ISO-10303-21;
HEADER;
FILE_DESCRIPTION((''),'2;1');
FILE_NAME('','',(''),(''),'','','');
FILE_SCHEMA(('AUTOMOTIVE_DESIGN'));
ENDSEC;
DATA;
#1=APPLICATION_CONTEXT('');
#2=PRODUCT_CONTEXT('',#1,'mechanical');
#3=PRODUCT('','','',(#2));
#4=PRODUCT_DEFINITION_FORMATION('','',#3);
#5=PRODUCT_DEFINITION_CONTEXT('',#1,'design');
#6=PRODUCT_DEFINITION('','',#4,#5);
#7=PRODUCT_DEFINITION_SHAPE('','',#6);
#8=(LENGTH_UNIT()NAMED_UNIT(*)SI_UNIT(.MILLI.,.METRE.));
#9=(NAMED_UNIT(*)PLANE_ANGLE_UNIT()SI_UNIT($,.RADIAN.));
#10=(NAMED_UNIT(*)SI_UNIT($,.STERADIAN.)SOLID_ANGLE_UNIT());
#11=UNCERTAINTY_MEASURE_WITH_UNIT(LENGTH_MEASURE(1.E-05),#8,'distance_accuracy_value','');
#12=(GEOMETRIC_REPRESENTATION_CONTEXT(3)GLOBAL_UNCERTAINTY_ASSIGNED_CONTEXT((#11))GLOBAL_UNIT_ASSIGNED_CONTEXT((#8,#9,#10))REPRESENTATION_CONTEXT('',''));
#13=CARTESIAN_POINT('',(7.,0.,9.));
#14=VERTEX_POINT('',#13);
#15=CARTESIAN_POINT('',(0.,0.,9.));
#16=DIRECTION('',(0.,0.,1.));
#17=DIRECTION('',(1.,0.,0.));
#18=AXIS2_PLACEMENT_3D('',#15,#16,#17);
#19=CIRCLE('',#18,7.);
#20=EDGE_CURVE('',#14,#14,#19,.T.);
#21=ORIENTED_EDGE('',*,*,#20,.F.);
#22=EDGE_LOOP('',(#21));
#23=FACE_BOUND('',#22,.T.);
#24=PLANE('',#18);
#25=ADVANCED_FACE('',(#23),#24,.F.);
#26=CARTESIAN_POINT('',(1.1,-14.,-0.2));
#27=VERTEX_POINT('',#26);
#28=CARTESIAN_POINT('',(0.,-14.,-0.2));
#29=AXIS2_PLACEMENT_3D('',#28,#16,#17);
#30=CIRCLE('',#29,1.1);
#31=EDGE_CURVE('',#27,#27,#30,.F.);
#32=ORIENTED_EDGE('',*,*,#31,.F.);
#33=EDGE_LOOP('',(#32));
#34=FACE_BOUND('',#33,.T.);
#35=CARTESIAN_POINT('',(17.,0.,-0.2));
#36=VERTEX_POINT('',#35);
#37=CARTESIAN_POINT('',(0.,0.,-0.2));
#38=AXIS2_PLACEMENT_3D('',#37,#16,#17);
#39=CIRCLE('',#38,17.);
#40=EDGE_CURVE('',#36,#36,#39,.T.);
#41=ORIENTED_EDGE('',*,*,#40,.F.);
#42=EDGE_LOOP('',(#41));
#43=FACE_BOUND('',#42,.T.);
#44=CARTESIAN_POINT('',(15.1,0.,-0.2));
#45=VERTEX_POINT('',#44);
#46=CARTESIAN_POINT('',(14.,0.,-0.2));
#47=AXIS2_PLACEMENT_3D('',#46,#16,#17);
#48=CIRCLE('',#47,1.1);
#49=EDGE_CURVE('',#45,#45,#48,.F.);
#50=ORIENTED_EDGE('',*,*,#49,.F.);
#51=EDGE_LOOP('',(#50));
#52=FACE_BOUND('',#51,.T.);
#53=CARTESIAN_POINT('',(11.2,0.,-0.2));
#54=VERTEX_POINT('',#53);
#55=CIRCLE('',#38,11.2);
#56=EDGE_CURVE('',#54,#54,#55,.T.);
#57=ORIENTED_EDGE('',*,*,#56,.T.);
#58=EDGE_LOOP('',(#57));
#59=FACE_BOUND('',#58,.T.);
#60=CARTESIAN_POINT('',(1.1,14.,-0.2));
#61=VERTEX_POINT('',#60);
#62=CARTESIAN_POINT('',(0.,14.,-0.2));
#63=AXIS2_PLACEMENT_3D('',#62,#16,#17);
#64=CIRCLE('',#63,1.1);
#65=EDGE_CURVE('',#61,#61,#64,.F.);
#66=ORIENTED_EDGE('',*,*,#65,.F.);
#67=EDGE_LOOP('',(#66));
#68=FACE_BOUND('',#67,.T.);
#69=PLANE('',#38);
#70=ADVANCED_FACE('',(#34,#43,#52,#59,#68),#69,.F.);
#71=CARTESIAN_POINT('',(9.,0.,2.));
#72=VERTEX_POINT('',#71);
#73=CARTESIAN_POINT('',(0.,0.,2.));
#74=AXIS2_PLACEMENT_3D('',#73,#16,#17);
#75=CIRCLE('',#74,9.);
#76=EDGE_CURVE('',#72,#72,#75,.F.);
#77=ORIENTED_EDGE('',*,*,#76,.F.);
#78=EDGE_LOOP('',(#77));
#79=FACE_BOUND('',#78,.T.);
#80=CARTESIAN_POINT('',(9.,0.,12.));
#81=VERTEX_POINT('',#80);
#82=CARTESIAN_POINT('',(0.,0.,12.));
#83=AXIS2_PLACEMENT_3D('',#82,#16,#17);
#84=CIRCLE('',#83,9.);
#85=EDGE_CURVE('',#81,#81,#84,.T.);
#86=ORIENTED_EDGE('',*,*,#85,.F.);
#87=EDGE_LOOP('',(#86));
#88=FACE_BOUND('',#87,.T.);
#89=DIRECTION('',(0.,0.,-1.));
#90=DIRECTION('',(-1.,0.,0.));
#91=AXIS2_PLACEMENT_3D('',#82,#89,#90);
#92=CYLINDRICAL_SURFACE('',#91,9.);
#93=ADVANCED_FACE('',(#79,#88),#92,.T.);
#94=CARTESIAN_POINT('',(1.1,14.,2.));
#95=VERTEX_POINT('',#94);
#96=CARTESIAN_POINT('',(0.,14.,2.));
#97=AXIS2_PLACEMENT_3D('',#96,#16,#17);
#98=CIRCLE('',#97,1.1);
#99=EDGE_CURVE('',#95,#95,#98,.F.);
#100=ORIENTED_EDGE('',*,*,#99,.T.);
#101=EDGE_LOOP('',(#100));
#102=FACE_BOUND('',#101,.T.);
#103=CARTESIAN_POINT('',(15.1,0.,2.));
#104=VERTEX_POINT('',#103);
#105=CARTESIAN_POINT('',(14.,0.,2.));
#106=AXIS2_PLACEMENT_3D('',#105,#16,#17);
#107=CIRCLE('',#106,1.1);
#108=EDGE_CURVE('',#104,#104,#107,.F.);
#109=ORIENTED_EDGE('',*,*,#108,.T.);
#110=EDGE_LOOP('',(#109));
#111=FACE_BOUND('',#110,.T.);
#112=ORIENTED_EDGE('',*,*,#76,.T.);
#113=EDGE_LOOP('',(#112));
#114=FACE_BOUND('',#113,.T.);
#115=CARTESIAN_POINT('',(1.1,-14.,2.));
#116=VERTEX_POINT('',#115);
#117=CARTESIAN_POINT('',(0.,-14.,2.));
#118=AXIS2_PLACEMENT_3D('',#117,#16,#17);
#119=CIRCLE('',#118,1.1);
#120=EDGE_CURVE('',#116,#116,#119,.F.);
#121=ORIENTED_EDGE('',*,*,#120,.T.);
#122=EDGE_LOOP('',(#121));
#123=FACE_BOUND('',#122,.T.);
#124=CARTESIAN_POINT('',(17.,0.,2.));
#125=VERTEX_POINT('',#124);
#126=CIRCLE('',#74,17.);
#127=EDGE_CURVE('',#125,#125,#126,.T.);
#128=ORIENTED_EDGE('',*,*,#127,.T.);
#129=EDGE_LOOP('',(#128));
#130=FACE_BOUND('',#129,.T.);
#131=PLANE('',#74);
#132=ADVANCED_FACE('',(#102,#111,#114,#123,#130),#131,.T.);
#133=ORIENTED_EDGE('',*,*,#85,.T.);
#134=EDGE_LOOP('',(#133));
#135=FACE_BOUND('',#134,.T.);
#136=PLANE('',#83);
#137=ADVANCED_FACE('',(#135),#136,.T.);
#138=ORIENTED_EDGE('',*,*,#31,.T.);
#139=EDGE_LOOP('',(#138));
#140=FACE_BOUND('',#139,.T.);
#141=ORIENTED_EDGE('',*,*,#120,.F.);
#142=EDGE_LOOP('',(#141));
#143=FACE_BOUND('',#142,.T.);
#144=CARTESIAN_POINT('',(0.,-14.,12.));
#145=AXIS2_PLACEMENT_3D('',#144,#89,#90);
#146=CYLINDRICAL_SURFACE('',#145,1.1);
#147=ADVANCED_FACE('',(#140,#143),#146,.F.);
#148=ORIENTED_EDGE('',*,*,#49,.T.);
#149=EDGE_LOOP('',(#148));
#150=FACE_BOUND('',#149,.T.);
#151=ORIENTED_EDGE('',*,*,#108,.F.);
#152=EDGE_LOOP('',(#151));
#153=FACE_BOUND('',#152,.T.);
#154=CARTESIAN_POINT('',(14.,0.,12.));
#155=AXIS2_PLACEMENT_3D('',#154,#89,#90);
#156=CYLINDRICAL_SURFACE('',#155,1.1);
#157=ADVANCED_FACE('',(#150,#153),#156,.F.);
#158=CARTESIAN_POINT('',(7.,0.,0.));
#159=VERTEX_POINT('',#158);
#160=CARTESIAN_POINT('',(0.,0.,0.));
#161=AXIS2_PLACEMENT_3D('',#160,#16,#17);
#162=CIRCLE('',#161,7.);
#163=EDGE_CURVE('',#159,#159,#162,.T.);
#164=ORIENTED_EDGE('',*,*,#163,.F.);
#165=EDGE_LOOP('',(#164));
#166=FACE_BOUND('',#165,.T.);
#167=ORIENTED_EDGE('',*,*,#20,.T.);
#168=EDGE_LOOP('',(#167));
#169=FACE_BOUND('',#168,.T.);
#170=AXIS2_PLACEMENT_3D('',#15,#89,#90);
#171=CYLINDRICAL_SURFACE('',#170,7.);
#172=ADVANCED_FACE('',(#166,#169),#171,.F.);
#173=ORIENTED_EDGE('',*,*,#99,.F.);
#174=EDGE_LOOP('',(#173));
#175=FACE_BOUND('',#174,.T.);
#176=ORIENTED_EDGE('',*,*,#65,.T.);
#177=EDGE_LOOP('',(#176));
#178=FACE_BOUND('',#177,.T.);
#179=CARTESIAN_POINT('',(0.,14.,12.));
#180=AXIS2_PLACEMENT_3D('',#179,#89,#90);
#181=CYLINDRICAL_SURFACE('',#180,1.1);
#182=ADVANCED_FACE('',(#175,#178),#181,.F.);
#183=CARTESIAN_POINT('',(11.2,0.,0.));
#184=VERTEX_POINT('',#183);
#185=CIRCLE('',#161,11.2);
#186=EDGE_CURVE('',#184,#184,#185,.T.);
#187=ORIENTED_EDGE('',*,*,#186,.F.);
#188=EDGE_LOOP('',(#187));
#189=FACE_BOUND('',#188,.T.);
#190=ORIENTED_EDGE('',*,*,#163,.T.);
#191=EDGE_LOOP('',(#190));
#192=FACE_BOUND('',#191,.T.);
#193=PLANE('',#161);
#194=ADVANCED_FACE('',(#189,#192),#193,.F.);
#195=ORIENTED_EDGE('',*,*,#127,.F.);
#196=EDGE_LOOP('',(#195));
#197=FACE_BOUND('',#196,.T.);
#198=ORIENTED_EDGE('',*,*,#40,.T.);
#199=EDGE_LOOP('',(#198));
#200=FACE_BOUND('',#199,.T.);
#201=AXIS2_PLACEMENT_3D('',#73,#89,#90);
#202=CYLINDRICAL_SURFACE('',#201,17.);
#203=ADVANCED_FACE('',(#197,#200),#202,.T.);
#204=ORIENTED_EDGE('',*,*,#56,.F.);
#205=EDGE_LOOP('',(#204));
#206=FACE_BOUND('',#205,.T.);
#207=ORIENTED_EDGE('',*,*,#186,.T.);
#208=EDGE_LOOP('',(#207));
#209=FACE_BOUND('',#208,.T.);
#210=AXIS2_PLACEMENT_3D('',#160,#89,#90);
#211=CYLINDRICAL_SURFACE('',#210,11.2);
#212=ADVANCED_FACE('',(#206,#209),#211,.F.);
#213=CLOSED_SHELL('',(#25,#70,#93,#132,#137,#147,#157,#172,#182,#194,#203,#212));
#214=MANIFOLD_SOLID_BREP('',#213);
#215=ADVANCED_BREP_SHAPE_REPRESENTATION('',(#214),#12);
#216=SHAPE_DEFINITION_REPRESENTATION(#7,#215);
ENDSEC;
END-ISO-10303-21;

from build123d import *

# Parameters (mm, degrees)
OUTER_RACE_KEEPER_FLANGE_PROFILE_R             = 17
OUTER_RACE_KEEPER_FLANGE_DEPTH                 = 2
HOUSING_CONTACT_RIM_PRESERVES_BEARING_FL_START = -0.2
HOUSING_CONTACT_RIM_PRESERVES_BEARIN_2_R       = 17
HOUSING_CONTACT_RIM_PRESERVES_BEARIN_2_R_2     = 11.2
HOUSING_CONTACT_RIM_PRESERVES_BEARING_FL_DEPTH = 0.2
PIN_END_COVER_PROFILE_R                        = 9
PIN_END_COVER_DEPTH                            = 12
DOWEL_END_FLOAT_POCKET_PROFILE_R               = 7
DOWEL_END_FLOAT_POCKET_DEPTH9_DEPTH            = 9
KEEPER_M2_FASTENERS_START                      = -50
KEEPER_M2_FASTENERS_PROFILE_R                  = 1.1
KEEPER_M2_FASTENERS_DEPTH                      = 77.870057685


with BuildPart() as part:
    # Outer_race_keeper_flange_profile → Outer_race_keeper_flange (new body)
    with BuildSketch(Plane.XY):
        Circle(OUTER_RACE_KEEPER_FLANGE_PROFILE_R)
    extrude(amount=OUTER_RACE_KEEPER_FLANGE_DEPTH)

    # Housing_contact_rim_preserves_bearin 2 → Housing_contact_rim_preserves_bearing_fl (add)
    with BuildSketch(Plane.XY.offset(HOUSING_CONTACT_RIM_PRESERVES_BEARING_FL_START)):
        Circle(HOUSING_CONTACT_RIM_PRESERVES_BEARIN_2_R)
        Circle(HOUSING_CONTACT_RIM_PRESERVES_BEARIN_2_R_2, mode=Mode.SUBTRACT)
    extrude(amount=HOUSING_CONTACT_RIM_PRESERVES_BEARING_FL_DEPTH)

    # Pin_end_cover_profile → Pin_end_cover (add)
    with BuildSketch(Plane.XY):
        Circle(PIN_END_COVER_PROFILE_R)
    extrude(amount=PIN_END_COVER_DEPTH)

    # Dowel_end_float_pocket_profile → Dowel_end_float_pocket_depth9 (cut)
    with BuildSketch(Plane.XY):
        Circle(DOWEL_END_FLOAT_POCKET_PROFILE_R)
    extrude(amount=DOWEL_END_FLOAT_POCKET_DEPTH9_DEPTH, mode=Mode.SUBTRACT)

    # Keeper_M2_fasteners_profile → Keeper_M2_fasteners (cut, through all)
    with BuildSketch(Plane.XY.offset(KEEPER_M2_FASTENERS_START)):
        with Locations((14, 0)):
            Circle(KEEPER_M2_FASTENERS_PROFILE_R)
        with Locations((0, -14)):
            Circle(KEEPER_M2_FASTENERS_PROFILE_R)
        with Locations((0, 14)):
            Circle(KEEPER_M2_FASTENERS_PROFILE_R)
    extrude(amount=KEEPER_M2_FASTENERS_DEPTH, mode=Mode.SUBTRACT)


solid = part.part
